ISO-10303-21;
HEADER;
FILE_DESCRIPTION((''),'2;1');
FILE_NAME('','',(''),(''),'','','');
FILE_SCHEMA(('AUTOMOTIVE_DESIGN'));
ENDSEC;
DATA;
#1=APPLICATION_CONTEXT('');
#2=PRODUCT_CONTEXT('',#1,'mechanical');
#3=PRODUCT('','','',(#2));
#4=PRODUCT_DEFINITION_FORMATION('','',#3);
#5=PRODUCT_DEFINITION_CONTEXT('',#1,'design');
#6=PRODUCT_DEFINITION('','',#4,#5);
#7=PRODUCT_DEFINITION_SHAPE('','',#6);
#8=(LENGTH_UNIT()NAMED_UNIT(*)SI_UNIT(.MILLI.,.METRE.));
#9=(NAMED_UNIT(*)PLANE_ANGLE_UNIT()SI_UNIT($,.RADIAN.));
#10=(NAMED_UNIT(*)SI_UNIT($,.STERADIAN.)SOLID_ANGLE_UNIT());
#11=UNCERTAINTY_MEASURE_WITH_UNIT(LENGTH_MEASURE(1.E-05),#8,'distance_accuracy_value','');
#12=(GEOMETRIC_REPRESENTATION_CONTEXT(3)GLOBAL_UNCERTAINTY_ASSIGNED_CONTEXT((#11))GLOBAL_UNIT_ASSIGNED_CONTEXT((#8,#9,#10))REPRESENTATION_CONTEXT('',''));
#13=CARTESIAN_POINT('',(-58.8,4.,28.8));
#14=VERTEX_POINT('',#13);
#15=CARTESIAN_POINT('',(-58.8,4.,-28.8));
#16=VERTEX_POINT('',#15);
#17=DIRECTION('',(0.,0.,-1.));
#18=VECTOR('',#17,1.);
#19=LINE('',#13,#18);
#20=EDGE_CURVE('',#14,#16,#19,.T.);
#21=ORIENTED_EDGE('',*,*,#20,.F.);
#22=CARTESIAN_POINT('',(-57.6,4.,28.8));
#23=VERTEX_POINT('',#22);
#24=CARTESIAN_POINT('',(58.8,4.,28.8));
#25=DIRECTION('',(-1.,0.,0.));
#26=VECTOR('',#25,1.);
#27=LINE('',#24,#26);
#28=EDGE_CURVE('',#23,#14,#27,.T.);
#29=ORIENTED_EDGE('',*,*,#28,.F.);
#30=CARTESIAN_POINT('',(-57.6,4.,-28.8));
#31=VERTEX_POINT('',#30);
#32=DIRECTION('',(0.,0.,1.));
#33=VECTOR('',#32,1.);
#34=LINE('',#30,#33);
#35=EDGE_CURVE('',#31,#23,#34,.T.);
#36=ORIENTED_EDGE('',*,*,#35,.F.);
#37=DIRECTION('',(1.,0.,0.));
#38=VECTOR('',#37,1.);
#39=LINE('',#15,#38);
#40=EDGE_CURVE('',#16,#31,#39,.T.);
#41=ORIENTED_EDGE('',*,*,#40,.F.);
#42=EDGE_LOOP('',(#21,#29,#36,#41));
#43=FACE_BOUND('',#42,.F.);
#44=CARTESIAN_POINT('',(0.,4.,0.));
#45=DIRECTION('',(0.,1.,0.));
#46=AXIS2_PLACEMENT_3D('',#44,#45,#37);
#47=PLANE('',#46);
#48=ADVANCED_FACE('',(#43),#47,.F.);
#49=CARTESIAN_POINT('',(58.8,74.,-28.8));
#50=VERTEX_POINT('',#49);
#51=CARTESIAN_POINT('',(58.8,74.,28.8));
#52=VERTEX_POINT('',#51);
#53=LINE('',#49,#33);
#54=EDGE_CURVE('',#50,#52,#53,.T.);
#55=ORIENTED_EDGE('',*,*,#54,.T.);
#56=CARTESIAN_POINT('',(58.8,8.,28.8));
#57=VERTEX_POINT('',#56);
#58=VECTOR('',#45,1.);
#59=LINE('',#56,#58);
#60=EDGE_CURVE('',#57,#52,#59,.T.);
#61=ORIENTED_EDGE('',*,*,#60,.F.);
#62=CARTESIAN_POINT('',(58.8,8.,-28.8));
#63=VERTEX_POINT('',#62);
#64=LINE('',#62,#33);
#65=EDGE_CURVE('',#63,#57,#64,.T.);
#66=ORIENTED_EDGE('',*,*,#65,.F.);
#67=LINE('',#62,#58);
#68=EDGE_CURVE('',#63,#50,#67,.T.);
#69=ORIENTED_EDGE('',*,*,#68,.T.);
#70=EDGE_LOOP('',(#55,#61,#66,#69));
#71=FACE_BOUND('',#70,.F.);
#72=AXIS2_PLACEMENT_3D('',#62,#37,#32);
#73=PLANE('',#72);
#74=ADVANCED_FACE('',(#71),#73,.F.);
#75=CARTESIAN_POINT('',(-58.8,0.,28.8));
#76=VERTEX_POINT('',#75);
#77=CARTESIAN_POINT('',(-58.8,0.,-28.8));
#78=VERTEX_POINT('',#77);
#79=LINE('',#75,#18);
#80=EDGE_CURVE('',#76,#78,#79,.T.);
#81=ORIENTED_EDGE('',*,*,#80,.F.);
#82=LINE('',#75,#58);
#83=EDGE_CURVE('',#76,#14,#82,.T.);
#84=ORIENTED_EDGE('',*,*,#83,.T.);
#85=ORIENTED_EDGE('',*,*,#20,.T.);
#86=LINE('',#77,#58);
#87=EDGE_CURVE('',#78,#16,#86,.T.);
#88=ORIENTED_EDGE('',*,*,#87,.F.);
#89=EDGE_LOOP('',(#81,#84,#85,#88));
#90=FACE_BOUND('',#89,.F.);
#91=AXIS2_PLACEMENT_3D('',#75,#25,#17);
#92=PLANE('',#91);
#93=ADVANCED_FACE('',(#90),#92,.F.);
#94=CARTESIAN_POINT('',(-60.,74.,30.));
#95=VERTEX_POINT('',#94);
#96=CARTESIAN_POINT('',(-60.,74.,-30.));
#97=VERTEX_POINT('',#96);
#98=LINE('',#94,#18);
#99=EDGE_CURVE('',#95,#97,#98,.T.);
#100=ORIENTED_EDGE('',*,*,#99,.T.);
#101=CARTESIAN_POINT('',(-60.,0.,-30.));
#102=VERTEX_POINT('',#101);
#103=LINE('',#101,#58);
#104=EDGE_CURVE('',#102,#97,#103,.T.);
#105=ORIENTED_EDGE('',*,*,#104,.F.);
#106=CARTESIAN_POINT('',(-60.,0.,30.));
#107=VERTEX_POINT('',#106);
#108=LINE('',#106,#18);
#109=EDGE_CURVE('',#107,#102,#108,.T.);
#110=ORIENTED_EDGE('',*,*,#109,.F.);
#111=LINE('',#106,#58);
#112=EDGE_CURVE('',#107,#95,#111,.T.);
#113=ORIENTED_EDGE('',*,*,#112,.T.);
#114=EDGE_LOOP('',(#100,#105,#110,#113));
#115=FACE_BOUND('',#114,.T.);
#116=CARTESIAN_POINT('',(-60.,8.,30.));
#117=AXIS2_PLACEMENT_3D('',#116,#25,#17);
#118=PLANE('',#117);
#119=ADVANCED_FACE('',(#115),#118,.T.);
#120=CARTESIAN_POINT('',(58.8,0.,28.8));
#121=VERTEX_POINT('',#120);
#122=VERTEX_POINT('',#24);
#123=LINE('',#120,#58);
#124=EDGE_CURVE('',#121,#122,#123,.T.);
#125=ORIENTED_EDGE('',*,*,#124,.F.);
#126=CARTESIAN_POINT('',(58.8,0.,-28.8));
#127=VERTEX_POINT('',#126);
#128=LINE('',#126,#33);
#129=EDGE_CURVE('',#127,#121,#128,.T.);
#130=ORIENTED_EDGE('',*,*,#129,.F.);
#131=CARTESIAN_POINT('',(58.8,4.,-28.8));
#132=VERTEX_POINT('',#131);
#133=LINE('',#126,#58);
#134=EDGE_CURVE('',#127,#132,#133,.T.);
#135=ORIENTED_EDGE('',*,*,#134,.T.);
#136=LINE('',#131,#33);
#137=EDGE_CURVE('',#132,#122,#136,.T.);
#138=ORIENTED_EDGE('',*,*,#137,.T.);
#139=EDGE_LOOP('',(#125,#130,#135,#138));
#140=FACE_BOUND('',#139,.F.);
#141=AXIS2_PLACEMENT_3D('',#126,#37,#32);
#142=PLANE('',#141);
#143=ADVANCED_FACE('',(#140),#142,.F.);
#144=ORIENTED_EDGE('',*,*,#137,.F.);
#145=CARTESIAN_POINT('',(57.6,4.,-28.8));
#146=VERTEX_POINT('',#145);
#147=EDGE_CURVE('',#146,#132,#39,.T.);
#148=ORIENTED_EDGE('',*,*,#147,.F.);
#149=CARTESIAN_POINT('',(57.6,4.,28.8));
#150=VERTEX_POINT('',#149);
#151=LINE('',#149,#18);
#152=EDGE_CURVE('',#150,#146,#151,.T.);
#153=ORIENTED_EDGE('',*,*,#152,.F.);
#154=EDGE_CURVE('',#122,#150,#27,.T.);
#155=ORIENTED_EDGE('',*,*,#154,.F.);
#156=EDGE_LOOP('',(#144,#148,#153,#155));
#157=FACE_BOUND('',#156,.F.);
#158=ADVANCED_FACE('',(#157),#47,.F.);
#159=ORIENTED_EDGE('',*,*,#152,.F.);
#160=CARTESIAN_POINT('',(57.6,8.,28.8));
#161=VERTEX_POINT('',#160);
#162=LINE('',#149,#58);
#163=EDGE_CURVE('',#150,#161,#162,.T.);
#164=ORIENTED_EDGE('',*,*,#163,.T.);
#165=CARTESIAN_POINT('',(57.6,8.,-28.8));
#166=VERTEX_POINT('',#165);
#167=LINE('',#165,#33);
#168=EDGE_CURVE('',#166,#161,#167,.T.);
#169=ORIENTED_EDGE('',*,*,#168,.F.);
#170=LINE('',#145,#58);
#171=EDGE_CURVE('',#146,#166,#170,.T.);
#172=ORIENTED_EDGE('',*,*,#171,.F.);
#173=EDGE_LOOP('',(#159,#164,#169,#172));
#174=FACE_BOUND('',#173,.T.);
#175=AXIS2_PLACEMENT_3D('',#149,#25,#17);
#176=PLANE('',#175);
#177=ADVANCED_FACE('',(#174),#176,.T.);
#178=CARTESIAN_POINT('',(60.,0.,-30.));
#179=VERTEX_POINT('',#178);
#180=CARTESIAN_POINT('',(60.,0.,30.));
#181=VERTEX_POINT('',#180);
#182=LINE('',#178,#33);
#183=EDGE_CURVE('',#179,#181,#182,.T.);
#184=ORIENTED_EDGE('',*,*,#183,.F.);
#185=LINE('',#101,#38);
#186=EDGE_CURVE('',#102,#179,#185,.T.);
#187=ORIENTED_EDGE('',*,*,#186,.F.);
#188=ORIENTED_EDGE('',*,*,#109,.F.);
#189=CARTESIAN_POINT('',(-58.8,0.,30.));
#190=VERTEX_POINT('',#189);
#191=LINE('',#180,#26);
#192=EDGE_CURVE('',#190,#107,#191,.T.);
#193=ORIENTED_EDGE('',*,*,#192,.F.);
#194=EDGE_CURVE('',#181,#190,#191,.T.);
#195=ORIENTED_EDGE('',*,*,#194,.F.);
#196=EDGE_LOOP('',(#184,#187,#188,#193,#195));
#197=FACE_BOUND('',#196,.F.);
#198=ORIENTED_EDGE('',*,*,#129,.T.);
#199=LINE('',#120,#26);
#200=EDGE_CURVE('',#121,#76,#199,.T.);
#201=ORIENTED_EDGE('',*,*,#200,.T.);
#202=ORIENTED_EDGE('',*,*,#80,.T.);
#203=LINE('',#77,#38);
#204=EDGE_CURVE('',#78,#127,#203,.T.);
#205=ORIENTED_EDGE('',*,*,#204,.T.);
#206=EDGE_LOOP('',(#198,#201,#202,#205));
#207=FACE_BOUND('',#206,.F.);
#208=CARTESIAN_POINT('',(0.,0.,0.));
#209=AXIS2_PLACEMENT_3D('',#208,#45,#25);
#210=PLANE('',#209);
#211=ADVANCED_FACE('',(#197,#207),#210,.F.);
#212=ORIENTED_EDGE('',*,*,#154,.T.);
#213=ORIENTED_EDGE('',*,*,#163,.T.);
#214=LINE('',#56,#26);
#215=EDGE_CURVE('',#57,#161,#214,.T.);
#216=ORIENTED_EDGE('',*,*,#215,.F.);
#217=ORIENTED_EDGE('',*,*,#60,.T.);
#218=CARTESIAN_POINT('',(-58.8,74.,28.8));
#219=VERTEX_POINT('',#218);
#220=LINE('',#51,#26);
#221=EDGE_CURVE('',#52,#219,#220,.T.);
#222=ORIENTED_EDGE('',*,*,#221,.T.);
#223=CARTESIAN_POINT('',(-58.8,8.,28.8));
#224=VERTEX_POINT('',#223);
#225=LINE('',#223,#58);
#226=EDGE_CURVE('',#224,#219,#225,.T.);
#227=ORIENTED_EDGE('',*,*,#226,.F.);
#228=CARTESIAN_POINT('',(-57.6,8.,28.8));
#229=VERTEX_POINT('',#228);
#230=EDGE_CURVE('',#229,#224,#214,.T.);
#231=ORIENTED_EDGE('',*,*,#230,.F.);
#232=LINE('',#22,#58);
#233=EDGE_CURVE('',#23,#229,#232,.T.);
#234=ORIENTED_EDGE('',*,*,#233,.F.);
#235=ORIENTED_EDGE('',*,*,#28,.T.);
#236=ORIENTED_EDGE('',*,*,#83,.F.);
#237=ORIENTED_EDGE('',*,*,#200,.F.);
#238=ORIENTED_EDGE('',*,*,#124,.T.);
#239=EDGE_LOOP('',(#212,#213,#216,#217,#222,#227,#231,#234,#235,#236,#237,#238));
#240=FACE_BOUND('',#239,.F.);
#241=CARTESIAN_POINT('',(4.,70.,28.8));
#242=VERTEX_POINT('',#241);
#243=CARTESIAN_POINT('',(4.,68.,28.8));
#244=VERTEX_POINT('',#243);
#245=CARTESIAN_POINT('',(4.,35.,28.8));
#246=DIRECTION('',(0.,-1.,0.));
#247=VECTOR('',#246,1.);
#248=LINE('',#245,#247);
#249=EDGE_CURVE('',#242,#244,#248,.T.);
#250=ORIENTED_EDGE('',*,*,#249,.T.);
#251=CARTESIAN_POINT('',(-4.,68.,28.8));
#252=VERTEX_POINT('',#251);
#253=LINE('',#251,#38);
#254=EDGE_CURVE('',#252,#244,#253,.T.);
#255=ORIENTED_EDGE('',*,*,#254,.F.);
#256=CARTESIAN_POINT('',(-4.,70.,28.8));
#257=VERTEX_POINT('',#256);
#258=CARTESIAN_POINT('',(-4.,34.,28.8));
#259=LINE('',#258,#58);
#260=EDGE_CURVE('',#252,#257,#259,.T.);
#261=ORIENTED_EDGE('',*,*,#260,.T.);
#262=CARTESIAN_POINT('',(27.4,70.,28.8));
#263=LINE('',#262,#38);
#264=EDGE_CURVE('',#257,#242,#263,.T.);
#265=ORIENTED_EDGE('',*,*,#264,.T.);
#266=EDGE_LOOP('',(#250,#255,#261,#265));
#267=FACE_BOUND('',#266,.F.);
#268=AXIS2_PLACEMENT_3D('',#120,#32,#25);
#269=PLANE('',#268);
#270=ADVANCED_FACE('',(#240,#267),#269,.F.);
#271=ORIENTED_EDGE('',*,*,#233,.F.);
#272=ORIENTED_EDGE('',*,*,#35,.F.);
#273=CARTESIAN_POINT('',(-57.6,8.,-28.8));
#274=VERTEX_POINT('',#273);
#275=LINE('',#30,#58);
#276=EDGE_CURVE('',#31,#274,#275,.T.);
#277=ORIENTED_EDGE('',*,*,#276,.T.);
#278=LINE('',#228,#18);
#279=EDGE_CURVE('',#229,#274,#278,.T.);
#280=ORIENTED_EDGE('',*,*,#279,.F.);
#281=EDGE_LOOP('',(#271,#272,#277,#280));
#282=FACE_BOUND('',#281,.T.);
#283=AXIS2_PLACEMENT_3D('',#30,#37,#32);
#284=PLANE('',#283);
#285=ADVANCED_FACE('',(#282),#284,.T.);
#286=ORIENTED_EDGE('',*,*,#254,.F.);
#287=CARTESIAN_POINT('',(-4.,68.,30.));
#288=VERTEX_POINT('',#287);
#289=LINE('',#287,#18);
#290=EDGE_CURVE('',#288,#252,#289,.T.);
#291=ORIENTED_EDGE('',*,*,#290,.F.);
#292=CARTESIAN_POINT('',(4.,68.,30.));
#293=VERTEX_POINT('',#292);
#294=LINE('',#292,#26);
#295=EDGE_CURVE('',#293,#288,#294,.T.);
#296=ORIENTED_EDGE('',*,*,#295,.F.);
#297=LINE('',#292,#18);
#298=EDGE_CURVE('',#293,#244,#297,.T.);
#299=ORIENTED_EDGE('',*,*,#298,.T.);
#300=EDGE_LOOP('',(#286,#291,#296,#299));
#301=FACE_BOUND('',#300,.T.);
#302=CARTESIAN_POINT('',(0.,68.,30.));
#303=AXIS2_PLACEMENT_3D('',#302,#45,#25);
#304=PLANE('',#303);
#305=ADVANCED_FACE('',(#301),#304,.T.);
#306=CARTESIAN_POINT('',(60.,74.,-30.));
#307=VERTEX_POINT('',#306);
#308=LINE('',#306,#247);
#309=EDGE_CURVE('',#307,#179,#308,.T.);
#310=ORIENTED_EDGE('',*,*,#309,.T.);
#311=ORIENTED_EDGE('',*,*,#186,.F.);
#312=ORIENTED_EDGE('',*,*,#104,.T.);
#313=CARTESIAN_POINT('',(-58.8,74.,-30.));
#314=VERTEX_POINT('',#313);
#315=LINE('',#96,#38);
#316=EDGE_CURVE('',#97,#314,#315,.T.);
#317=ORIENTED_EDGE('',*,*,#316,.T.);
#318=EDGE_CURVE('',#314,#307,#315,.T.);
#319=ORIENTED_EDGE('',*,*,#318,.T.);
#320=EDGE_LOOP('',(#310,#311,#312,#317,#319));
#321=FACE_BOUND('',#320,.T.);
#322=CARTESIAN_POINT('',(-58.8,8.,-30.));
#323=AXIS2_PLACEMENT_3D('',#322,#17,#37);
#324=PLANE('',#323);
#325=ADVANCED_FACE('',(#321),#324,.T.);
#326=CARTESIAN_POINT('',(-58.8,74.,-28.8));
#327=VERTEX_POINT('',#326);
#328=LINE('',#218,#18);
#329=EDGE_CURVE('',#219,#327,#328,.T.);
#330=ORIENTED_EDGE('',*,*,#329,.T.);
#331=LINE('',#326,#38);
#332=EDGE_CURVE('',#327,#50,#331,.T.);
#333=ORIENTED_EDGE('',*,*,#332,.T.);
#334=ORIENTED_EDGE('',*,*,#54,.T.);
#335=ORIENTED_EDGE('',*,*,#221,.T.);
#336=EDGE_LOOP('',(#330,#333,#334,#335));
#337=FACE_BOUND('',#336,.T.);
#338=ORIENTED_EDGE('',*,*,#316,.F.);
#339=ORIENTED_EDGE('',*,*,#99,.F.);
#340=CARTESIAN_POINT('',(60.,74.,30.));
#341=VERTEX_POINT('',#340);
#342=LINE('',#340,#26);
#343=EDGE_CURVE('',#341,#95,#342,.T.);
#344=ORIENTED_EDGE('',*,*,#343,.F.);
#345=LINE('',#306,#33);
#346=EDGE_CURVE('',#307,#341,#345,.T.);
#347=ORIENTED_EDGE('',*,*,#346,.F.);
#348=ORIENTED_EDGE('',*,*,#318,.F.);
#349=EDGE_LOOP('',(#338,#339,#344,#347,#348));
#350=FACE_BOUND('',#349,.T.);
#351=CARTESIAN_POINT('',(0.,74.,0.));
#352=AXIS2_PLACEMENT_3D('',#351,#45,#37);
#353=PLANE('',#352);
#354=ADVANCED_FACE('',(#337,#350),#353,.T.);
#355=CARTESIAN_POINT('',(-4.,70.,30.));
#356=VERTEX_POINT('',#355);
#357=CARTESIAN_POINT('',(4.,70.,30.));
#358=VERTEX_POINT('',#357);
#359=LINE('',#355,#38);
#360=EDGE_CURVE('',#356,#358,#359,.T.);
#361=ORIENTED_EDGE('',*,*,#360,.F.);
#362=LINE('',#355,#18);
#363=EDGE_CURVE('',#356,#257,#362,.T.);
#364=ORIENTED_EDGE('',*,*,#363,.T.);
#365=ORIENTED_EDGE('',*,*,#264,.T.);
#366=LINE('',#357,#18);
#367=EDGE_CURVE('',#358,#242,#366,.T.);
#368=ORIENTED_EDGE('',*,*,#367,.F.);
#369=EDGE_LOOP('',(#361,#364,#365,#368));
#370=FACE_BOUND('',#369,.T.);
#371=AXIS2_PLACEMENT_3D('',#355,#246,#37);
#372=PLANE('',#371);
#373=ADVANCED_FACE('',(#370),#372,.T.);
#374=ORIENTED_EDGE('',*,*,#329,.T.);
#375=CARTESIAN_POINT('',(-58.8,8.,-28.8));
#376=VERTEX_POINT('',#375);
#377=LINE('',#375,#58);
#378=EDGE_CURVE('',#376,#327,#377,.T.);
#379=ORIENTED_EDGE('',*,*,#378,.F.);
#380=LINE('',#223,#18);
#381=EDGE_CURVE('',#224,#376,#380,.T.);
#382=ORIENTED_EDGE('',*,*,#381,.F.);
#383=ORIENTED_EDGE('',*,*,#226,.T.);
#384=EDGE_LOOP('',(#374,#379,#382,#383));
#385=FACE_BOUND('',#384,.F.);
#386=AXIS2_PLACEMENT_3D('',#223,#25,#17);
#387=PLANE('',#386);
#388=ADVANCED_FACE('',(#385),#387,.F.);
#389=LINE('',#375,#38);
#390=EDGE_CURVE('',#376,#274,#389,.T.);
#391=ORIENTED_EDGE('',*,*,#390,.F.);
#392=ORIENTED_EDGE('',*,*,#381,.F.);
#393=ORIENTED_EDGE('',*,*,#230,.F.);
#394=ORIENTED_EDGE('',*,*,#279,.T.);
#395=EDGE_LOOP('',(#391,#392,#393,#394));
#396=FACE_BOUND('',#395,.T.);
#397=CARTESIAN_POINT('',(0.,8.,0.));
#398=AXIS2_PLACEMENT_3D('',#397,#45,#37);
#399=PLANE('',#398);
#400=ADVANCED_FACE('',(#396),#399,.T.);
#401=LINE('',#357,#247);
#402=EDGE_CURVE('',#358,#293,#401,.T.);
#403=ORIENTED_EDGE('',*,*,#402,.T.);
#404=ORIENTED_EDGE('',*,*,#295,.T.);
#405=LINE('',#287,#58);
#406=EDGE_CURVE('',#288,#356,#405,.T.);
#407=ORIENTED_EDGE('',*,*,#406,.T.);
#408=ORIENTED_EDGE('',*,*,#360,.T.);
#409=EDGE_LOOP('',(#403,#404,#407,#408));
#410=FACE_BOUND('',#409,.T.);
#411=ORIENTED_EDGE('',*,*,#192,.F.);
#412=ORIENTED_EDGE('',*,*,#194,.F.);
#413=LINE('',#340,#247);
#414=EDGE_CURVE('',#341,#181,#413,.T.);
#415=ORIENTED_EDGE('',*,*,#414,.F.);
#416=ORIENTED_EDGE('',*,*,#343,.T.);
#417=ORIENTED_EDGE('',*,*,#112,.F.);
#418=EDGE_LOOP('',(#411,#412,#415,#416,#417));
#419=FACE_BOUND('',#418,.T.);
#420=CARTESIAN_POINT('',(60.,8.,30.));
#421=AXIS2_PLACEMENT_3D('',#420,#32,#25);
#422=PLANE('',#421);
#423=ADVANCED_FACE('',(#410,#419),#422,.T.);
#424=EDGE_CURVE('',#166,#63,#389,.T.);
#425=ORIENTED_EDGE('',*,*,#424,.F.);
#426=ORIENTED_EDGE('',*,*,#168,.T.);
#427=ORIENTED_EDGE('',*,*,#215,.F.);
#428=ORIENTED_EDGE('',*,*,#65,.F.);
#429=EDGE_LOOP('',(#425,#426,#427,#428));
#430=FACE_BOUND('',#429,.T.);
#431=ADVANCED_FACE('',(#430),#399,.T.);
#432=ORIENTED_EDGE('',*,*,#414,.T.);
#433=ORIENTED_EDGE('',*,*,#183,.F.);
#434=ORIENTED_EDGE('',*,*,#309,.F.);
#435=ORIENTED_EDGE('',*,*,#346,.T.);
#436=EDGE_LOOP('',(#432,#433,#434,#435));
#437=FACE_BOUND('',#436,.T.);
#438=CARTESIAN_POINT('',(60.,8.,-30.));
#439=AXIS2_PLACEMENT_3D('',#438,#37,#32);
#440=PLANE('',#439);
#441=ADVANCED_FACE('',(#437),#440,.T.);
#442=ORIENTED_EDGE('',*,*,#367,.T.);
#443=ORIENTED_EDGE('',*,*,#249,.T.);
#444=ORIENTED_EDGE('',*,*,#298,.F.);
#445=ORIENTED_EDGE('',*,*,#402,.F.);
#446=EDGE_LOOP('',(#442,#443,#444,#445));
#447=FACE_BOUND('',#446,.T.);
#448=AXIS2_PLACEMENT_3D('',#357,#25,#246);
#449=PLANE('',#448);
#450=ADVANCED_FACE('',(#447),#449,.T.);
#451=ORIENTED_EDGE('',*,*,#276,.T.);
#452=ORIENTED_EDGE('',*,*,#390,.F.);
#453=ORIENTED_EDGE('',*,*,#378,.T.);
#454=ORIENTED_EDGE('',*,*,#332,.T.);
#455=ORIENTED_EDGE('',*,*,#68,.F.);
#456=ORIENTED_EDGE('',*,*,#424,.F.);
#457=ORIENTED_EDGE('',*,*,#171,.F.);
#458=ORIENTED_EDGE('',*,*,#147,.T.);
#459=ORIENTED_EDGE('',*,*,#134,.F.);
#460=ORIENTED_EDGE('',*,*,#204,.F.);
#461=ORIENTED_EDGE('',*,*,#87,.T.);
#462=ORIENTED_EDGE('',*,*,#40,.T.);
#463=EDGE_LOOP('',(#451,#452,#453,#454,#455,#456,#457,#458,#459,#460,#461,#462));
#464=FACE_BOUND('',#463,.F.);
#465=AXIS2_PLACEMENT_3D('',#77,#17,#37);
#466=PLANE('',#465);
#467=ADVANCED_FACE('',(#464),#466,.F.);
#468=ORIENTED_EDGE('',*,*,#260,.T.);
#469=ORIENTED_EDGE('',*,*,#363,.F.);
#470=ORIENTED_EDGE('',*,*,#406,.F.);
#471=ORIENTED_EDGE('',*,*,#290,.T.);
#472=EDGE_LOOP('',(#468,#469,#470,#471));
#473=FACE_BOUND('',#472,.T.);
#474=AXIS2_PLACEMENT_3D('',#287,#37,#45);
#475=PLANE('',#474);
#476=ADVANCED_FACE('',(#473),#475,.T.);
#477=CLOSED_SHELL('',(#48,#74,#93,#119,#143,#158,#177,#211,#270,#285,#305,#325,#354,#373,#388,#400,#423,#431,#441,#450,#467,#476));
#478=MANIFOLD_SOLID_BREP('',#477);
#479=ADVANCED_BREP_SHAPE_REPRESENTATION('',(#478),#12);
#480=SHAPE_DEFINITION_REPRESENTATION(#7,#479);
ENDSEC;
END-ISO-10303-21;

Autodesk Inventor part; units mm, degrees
ref_plane "YZ Plane" through (0, 0, 0) normal (1, 0, 0) x (0, 1, 0)
ref_plane "XZ Plane" through (0, 0, 0) normal (0, 1, 0) x (-1, 0, 0)
ref_plane "XY Plane" through (0, 0, 0) normal (0, 0, 1) x (1, 0, 0)
sketch "Szkic1" plane through (0, 0, 0) normal (0, 1, 0) x (-1, 0, 0)
  point P0 (0, 0)
sketch "Szkic2" plane through (0, 0, 0) normal (0, 1, 0) x (-1, 0, 0)
  line L0 (58.8, -28.8) -> (-58.8, -28.8)
  line L1 (-58.8, -28.8) -> (-58.8, 28.8)
  line L2 (-58.8, 28.8) -> (58.8, 28.8)
  line L3 (58.8, 28.8) -> (58.8, -28.8)
  line L4 (58.8, -28.8) -> (-58.8, 28.8) construction
  line L5 (-58.8, -28.8) -> (58.8, 28.8) construction
  line L6 (60, -30) -> (-60, -30)
  line L7 (-60, -30) -> (-60, 30)
  line L8 (-60, 30) -> (60, 30)
  line L9 (60, 30) -> (60, -30)
  line L10 (60, -30) -> (-60, 30) construction
  line L11 (-60, -30) -> (60, 30) construction
  line L12 (58.8, 28.8) -> (58.8, 30)
  point P0 (0, 0)
  dimension "d0" = 117.6
  dimension "d1" = 57.6
  dimension "d2" = 120
  dimension "d3" = 60
extrude "Wyciągnięcie proste1" add sketch "Szkic2" along normal blind 4
sketch "Szkic4" plane through (0, 4, 0) normal (0, 1, 0) x (1, 0, 0)
  line L0 (-60, 30) -> (60, 30)
  line L1 (60, 30) -> (60, -30)
  line L2 (60, -30) -> (-60, -30)
  line L3 (-60, -30) -> (-60, 30)
  line L4 (-60, 30) -> (60, -30) construction
  line L5 (60, 30) -> (-60, -30) construction
  line L6 (-57.6, 27.6) -> (57.6, 27.6)
  line L7 (57.6, 27.6) -> (57.6, -27.6)
  line L8 (57.6, -27.6) -> (-57.6, -27.6)
  line L9 (-57.6, -27.6) -> (-57.6, 27.6)
  line L10 (-57.6, 27.6) -> (57.6, -27.6) construction
  line L11 (57.6, 27.6) -> (-57.6, -27.6) construction
  line L12 (-57.6, 27.6) -> (-57.6, 30)
  point P0 (0, 0)
  dimension "d10" = 120
  dimension "d11" = 60
  dimension "d12" = 115.2
  dimension "d13" = 55.2
extrude "Wyciągnięcie proste2" add sketch "Szkic4" along normal blind 4
sketch "Szkic5" plane through (0, 8, 0) normal (0, 1, 0) x (1, 0, 0)
  line L0 (-58.8, 28.8) -> (58.8, 28.8)
  line L1 (58.8, 28.8) -> (58.8, -28.8)
  line L2 (58.8, -28.8) -> (-58.8, -28.8)
  line L3 (-58.8, -28.8) -> (-58.8, 28.8)
  line L4 (-58.8, 28.8) -> (58.8, -28.8) construction
  line L5 (58.8, 28.8) -> (-58.8, -28.8) construction
  line L6 (-60, 30) -> (60, 30)
  line L7 (60, 30) -> (60, -30)
  line L8 (60, -30) -> (-60, -30)
  line L9 (-60, -30) -> (-60, 30)
  line L10 (-60, 30) -> (60, -30) construction
  line L11 (60, 30) -> (-60, -30) construction
  line L12 (-58.8, 28.8) -> (58.8, 28.8) projected
  line L13 (-58.8, 28.8) -> (-58.8, 30)
  line L14 (60, 30) -> (-60, 30) projected
  point P0 (0, 0)
  dimension "d16" = 117.6
  dimension "d17" = 57.6
  dimension "d18" = 120
  dimension "d19" = 60
extrude "Wyciągnięcie proste3" add sketch "Szkic5" along normal blind 66
sketch "Szkic8" plane through (0, 4, 0) normal (0, -1, 0) x (1, 0, 0)
  line L0 (57.6, -28.8) -> (-57.6, -28.8)
  line L1 (-57.6, -28.8) -> (-57.6, 28.8)
  line L2 (-57.6, 28.8) -> (57.6, 28.8)
  line L3 (57.6, 28.8) -> (57.6, -28.8)
  line L4 (57.6, -28.8) -> (-57.6, 28.8) construction
  line L5 (-57.6, -28.8) -> (57.6, 28.8) construction
  point P0 (0, 0)
  dimension "d30" = 115.2
  dimension "d31" = 57.6
extrude "Wyciągnięcie proste5" cut sketch "Szkic8" against normal through all
sketch "Szkic9" plane through (-60, 0, 30) normal (0, 0, 1) x (1, 0, 0)
  line L0 (60, 0) -> (60, 69)
  line L1 (60, 0) -> (129, 0) construction
  line L2 (64, 68) -> (56, 68)
  line L3 (56, 68) -> (56, 70)
  line L4 (56, 70) -> (64, 70)
  line L5 (64, 70) -> (64, 68)
  line L6 (64, 68) -> (56, 70) construction
  line L7 (56, 68) -> (64, 70) construction
  dimension "d34" = 69
  dimension "d35" = 90
  dimension "d36" = 8
  dimension "d37" = 2
extrude "Wyciągnięcie proste6" cut sketch "Szkic9" against normal blind 10
properties part number "sciany boczne"
